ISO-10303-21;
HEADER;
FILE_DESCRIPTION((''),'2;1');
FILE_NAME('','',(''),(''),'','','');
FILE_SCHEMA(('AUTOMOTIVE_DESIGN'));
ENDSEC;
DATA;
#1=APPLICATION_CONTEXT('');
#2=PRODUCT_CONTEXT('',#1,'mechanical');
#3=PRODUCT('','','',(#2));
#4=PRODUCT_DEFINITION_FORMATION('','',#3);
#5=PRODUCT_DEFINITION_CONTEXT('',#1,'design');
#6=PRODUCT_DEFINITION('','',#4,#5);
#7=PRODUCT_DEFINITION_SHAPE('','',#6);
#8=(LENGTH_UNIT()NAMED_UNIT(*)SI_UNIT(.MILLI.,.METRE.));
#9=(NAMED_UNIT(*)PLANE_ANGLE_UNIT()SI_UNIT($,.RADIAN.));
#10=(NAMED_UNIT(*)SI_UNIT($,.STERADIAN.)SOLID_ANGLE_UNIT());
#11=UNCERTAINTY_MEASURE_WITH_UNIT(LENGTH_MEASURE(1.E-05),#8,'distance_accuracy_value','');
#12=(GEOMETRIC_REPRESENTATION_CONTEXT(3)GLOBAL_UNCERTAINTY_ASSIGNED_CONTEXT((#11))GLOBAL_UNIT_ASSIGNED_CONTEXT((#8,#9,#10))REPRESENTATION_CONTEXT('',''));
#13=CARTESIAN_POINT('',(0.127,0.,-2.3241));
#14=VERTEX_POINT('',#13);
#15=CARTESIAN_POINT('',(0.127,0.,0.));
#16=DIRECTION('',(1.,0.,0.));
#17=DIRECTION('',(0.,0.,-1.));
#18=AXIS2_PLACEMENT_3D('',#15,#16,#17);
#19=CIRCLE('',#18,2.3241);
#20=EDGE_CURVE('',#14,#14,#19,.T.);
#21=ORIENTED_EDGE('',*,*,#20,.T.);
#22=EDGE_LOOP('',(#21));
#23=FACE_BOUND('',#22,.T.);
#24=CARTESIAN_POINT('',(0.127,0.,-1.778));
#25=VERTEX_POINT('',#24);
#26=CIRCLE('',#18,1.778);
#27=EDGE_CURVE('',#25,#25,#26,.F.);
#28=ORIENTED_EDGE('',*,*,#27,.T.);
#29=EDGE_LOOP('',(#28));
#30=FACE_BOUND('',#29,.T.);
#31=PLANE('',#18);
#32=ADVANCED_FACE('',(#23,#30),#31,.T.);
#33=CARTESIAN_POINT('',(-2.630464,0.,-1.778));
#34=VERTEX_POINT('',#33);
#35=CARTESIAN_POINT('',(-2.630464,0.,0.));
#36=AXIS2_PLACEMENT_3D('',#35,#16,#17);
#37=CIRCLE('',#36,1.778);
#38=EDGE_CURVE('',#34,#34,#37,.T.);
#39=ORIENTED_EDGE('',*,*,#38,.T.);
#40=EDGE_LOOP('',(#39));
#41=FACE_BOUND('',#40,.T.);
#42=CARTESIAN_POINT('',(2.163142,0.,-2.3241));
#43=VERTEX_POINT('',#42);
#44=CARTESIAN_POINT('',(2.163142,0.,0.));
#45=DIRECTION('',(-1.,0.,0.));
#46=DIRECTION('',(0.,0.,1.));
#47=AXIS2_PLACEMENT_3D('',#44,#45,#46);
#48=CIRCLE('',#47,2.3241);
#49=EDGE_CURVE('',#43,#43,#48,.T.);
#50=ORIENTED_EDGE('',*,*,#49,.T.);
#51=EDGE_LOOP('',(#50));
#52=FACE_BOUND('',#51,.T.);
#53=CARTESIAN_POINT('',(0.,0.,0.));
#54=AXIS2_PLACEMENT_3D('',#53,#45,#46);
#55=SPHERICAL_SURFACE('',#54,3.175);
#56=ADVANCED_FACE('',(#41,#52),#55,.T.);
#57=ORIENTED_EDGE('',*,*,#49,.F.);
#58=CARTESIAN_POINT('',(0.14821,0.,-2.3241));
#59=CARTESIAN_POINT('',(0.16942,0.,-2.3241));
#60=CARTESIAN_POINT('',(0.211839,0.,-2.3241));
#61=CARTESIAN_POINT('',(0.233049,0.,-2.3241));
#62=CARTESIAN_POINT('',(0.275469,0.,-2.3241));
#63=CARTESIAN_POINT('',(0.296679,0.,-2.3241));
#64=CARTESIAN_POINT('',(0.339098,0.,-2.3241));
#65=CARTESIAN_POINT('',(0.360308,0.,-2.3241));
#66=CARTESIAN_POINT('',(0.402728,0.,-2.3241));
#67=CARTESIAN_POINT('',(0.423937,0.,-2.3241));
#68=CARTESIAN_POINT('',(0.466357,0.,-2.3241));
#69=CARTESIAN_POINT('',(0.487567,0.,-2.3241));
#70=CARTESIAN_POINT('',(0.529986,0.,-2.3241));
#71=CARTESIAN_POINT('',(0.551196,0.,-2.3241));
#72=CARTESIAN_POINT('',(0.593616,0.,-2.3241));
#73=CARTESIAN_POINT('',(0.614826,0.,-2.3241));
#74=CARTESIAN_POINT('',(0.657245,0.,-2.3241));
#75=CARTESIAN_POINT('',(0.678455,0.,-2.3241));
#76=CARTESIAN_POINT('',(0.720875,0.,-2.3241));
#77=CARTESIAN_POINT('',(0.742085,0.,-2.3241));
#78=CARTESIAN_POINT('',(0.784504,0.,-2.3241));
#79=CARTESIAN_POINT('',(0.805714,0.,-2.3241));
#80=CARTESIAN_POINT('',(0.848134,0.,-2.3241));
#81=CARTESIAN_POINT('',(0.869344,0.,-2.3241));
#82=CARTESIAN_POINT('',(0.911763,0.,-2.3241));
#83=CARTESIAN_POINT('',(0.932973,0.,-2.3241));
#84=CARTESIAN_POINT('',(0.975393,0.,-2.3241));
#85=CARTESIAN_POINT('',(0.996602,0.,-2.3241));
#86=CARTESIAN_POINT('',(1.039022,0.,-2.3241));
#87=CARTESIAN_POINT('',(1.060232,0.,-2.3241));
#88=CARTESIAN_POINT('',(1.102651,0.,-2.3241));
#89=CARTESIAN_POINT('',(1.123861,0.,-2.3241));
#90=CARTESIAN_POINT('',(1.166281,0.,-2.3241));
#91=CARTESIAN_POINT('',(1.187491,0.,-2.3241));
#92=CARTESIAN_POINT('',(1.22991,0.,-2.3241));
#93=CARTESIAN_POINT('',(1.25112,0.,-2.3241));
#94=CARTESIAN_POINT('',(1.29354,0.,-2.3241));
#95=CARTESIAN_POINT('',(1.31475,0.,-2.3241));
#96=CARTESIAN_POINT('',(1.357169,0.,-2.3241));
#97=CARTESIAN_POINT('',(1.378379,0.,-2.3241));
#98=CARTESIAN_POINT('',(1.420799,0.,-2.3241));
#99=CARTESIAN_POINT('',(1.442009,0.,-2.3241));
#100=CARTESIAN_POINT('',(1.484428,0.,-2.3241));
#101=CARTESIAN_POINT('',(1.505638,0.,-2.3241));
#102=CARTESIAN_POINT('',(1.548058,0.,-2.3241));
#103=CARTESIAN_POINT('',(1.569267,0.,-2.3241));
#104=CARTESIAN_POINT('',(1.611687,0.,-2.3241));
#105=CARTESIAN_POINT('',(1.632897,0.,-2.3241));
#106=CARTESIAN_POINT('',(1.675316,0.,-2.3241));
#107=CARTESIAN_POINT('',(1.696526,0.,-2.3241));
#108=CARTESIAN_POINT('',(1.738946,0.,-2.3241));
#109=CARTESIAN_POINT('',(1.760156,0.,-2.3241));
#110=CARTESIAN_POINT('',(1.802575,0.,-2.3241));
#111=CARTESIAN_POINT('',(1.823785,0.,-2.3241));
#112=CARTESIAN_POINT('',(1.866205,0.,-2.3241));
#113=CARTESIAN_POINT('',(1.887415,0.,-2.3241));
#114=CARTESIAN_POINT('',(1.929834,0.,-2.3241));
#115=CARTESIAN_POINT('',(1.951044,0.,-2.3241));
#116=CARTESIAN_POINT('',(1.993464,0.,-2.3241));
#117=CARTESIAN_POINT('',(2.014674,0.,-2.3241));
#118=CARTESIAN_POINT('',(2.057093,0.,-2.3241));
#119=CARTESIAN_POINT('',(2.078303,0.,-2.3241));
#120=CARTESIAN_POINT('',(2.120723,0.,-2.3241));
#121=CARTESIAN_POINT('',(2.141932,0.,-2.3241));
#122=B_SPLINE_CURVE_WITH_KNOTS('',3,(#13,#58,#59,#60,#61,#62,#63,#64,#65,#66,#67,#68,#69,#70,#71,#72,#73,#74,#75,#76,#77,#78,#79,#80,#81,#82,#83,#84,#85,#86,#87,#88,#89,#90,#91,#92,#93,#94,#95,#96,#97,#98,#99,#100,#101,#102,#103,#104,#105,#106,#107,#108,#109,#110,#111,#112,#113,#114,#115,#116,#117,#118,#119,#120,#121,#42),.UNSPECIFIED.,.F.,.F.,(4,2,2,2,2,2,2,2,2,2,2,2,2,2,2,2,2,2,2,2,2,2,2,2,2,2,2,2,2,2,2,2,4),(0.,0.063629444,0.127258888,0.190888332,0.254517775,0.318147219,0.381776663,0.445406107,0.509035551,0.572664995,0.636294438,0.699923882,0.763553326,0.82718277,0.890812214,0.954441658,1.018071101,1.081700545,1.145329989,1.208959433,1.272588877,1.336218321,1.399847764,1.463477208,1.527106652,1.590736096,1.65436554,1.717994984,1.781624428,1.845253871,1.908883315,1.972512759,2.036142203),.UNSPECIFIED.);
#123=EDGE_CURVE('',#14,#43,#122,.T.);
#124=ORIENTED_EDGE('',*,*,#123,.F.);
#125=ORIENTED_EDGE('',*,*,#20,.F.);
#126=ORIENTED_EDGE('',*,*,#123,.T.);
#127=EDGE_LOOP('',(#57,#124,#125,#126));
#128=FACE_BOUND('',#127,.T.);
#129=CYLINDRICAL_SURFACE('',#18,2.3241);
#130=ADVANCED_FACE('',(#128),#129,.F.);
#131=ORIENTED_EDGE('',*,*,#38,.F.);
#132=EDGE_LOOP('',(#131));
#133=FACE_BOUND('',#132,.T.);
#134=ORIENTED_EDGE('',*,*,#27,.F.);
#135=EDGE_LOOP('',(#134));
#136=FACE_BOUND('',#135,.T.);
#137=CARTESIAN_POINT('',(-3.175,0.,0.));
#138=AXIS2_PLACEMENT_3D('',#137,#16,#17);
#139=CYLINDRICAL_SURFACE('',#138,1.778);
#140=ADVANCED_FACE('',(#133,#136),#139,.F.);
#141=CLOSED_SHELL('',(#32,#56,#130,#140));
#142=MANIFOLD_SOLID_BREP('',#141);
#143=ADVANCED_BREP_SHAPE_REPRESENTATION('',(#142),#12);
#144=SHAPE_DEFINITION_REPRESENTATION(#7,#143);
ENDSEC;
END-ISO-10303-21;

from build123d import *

# Parameters (mm, degrees)
SKETCH2_R          = 1.778
CUT_EXTRUDE1_DEPTH = 8.777129933
SKETCH3_R          = 2.3241
CUT_EXTRUDE2_DEPTH = 3.048


with BuildPart() as part:
    # Sketch1 → Revolve3 (revolve)
    with BuildSketch(Plane(origin=(0, 0, 0), x_dir=(1, 0, 0), z_dir=(0, 1, 0))):
        with BuildLine():
            Line((0, 3.175), (0, -3.175))
            ThreePointArc((0, -3.175), (3.175, 0), (0, 3.175))
        make_face()
    revolve(axis=Axis((0, 0, -3.175), (0, 0, 1)))

    # Sketch2 → Cut-Extrude1 (cut, through all)
    with BuildSketch(Plane(origin=(3.175, 0, 0), x_dir=(0, 0, -1), z_dir=(1, 0, 0))):
        Circle(SKETCH2_R)
    extrude(amount=-CUT_EXTRUDE1_DEPTH, mode=Mode.SUBTRACT)

    # Sketch3 → Cut-Extrude2 (cut)
    with BuildSketch(Plane(origin=(3.175, 0, 0), x_dir=(0, 0, -1), z_dir=(1, 0, 0))):
        Circle(SKETCH3_R)
    extrude(amount=-CUT_EXTRUDE2_DEPTH, mode=Mode.SUBTRACT)


solid = part.part
